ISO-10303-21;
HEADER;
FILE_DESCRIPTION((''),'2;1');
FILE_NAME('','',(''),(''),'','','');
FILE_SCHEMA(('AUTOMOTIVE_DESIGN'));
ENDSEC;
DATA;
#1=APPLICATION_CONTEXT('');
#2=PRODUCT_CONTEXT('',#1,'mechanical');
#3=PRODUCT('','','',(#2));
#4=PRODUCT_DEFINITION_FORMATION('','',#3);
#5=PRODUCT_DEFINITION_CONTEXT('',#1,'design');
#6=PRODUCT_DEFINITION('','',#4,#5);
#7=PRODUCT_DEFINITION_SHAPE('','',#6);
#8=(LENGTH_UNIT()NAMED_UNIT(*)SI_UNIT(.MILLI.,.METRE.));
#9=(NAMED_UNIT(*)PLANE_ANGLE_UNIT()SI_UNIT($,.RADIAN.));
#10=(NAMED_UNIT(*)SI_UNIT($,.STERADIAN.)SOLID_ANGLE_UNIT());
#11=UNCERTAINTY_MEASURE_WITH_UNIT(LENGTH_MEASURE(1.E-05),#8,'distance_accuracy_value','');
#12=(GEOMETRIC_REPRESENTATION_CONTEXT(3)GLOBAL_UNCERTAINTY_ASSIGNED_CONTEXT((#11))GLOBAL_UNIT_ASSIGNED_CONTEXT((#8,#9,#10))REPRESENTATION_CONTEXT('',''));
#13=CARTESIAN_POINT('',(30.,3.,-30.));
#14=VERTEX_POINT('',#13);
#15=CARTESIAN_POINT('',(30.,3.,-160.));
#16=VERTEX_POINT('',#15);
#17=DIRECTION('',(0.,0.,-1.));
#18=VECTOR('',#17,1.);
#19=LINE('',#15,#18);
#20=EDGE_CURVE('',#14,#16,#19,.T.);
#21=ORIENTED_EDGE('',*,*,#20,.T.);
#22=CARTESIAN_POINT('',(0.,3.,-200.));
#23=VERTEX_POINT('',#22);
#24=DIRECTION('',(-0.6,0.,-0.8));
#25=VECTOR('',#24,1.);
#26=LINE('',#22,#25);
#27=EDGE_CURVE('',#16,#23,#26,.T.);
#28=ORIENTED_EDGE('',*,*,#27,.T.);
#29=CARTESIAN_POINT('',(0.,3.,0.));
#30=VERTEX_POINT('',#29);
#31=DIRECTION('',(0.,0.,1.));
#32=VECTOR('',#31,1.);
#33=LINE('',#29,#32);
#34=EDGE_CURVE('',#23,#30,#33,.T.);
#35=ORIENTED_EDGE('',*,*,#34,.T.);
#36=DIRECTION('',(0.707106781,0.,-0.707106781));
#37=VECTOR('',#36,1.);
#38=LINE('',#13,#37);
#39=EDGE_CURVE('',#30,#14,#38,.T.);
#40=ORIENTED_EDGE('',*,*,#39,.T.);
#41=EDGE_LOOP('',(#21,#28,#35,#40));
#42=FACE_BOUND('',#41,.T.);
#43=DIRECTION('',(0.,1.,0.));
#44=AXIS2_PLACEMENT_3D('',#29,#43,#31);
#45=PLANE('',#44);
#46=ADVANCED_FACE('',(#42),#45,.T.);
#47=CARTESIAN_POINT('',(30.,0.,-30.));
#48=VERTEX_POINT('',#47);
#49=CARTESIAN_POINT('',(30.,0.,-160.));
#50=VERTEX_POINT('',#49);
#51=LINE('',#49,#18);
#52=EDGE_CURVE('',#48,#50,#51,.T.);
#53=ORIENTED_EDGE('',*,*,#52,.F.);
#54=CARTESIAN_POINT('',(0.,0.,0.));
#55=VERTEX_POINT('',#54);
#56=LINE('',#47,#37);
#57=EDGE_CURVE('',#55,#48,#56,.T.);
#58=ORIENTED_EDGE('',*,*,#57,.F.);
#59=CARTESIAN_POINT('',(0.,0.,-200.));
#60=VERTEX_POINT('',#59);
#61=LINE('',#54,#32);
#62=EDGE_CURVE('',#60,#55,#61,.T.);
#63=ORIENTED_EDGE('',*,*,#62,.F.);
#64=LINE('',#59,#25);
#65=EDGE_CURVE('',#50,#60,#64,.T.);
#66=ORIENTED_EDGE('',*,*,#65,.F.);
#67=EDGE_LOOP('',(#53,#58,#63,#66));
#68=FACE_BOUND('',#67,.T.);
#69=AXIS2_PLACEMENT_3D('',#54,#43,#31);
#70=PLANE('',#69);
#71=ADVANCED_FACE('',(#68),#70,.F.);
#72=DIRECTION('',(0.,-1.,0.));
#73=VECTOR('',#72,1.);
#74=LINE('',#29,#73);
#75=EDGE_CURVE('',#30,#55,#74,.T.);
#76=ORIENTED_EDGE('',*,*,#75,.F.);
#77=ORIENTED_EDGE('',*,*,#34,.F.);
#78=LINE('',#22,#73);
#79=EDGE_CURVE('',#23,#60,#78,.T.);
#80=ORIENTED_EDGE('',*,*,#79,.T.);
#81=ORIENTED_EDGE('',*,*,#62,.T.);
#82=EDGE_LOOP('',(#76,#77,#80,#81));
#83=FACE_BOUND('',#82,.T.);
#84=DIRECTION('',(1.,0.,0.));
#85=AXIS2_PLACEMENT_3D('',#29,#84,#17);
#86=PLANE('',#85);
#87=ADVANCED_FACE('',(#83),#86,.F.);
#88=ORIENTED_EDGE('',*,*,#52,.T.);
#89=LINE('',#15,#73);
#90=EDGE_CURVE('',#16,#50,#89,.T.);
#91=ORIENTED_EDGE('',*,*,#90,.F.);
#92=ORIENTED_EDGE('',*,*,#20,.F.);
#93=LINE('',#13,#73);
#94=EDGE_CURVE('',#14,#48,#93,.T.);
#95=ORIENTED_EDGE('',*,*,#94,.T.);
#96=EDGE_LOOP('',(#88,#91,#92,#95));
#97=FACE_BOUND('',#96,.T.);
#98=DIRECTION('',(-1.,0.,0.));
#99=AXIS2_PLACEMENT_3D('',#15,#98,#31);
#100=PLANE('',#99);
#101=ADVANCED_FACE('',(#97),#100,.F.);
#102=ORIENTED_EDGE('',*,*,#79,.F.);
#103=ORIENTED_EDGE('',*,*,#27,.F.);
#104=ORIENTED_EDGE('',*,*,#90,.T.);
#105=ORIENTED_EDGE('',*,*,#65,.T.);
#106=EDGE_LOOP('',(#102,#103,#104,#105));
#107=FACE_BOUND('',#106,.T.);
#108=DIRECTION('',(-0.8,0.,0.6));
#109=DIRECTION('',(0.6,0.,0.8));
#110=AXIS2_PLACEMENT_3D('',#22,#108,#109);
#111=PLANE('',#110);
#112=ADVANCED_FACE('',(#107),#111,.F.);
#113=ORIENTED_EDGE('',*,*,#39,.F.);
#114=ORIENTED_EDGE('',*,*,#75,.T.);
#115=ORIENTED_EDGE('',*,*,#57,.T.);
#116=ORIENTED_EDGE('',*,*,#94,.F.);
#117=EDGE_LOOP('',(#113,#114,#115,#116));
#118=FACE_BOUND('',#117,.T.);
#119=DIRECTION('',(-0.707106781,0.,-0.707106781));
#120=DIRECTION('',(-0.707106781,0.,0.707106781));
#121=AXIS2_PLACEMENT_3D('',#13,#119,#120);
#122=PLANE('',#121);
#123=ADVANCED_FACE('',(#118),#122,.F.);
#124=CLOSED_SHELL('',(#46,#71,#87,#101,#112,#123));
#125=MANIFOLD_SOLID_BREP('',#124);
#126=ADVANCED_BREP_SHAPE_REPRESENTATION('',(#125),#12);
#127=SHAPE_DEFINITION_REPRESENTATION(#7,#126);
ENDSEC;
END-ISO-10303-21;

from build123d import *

# Parameters (mm, degrees)
EXTRUDE_1_DEPTH = 3


with BuildPart() as part:
    # Эскиз1 → Бобышка-Вытянуть1 (new body)
    with BuildSketch(Plane(origin=(0, 0, 0), x_dir=(1, 0, 0), z_dir=(0, 1, 0))):
        Polygon((0, 0), (0, 200), (30, 160), (30, 30), align=None)
    extrude(amount=EXTRUDE_1_DEPTH)


solid = part.part
